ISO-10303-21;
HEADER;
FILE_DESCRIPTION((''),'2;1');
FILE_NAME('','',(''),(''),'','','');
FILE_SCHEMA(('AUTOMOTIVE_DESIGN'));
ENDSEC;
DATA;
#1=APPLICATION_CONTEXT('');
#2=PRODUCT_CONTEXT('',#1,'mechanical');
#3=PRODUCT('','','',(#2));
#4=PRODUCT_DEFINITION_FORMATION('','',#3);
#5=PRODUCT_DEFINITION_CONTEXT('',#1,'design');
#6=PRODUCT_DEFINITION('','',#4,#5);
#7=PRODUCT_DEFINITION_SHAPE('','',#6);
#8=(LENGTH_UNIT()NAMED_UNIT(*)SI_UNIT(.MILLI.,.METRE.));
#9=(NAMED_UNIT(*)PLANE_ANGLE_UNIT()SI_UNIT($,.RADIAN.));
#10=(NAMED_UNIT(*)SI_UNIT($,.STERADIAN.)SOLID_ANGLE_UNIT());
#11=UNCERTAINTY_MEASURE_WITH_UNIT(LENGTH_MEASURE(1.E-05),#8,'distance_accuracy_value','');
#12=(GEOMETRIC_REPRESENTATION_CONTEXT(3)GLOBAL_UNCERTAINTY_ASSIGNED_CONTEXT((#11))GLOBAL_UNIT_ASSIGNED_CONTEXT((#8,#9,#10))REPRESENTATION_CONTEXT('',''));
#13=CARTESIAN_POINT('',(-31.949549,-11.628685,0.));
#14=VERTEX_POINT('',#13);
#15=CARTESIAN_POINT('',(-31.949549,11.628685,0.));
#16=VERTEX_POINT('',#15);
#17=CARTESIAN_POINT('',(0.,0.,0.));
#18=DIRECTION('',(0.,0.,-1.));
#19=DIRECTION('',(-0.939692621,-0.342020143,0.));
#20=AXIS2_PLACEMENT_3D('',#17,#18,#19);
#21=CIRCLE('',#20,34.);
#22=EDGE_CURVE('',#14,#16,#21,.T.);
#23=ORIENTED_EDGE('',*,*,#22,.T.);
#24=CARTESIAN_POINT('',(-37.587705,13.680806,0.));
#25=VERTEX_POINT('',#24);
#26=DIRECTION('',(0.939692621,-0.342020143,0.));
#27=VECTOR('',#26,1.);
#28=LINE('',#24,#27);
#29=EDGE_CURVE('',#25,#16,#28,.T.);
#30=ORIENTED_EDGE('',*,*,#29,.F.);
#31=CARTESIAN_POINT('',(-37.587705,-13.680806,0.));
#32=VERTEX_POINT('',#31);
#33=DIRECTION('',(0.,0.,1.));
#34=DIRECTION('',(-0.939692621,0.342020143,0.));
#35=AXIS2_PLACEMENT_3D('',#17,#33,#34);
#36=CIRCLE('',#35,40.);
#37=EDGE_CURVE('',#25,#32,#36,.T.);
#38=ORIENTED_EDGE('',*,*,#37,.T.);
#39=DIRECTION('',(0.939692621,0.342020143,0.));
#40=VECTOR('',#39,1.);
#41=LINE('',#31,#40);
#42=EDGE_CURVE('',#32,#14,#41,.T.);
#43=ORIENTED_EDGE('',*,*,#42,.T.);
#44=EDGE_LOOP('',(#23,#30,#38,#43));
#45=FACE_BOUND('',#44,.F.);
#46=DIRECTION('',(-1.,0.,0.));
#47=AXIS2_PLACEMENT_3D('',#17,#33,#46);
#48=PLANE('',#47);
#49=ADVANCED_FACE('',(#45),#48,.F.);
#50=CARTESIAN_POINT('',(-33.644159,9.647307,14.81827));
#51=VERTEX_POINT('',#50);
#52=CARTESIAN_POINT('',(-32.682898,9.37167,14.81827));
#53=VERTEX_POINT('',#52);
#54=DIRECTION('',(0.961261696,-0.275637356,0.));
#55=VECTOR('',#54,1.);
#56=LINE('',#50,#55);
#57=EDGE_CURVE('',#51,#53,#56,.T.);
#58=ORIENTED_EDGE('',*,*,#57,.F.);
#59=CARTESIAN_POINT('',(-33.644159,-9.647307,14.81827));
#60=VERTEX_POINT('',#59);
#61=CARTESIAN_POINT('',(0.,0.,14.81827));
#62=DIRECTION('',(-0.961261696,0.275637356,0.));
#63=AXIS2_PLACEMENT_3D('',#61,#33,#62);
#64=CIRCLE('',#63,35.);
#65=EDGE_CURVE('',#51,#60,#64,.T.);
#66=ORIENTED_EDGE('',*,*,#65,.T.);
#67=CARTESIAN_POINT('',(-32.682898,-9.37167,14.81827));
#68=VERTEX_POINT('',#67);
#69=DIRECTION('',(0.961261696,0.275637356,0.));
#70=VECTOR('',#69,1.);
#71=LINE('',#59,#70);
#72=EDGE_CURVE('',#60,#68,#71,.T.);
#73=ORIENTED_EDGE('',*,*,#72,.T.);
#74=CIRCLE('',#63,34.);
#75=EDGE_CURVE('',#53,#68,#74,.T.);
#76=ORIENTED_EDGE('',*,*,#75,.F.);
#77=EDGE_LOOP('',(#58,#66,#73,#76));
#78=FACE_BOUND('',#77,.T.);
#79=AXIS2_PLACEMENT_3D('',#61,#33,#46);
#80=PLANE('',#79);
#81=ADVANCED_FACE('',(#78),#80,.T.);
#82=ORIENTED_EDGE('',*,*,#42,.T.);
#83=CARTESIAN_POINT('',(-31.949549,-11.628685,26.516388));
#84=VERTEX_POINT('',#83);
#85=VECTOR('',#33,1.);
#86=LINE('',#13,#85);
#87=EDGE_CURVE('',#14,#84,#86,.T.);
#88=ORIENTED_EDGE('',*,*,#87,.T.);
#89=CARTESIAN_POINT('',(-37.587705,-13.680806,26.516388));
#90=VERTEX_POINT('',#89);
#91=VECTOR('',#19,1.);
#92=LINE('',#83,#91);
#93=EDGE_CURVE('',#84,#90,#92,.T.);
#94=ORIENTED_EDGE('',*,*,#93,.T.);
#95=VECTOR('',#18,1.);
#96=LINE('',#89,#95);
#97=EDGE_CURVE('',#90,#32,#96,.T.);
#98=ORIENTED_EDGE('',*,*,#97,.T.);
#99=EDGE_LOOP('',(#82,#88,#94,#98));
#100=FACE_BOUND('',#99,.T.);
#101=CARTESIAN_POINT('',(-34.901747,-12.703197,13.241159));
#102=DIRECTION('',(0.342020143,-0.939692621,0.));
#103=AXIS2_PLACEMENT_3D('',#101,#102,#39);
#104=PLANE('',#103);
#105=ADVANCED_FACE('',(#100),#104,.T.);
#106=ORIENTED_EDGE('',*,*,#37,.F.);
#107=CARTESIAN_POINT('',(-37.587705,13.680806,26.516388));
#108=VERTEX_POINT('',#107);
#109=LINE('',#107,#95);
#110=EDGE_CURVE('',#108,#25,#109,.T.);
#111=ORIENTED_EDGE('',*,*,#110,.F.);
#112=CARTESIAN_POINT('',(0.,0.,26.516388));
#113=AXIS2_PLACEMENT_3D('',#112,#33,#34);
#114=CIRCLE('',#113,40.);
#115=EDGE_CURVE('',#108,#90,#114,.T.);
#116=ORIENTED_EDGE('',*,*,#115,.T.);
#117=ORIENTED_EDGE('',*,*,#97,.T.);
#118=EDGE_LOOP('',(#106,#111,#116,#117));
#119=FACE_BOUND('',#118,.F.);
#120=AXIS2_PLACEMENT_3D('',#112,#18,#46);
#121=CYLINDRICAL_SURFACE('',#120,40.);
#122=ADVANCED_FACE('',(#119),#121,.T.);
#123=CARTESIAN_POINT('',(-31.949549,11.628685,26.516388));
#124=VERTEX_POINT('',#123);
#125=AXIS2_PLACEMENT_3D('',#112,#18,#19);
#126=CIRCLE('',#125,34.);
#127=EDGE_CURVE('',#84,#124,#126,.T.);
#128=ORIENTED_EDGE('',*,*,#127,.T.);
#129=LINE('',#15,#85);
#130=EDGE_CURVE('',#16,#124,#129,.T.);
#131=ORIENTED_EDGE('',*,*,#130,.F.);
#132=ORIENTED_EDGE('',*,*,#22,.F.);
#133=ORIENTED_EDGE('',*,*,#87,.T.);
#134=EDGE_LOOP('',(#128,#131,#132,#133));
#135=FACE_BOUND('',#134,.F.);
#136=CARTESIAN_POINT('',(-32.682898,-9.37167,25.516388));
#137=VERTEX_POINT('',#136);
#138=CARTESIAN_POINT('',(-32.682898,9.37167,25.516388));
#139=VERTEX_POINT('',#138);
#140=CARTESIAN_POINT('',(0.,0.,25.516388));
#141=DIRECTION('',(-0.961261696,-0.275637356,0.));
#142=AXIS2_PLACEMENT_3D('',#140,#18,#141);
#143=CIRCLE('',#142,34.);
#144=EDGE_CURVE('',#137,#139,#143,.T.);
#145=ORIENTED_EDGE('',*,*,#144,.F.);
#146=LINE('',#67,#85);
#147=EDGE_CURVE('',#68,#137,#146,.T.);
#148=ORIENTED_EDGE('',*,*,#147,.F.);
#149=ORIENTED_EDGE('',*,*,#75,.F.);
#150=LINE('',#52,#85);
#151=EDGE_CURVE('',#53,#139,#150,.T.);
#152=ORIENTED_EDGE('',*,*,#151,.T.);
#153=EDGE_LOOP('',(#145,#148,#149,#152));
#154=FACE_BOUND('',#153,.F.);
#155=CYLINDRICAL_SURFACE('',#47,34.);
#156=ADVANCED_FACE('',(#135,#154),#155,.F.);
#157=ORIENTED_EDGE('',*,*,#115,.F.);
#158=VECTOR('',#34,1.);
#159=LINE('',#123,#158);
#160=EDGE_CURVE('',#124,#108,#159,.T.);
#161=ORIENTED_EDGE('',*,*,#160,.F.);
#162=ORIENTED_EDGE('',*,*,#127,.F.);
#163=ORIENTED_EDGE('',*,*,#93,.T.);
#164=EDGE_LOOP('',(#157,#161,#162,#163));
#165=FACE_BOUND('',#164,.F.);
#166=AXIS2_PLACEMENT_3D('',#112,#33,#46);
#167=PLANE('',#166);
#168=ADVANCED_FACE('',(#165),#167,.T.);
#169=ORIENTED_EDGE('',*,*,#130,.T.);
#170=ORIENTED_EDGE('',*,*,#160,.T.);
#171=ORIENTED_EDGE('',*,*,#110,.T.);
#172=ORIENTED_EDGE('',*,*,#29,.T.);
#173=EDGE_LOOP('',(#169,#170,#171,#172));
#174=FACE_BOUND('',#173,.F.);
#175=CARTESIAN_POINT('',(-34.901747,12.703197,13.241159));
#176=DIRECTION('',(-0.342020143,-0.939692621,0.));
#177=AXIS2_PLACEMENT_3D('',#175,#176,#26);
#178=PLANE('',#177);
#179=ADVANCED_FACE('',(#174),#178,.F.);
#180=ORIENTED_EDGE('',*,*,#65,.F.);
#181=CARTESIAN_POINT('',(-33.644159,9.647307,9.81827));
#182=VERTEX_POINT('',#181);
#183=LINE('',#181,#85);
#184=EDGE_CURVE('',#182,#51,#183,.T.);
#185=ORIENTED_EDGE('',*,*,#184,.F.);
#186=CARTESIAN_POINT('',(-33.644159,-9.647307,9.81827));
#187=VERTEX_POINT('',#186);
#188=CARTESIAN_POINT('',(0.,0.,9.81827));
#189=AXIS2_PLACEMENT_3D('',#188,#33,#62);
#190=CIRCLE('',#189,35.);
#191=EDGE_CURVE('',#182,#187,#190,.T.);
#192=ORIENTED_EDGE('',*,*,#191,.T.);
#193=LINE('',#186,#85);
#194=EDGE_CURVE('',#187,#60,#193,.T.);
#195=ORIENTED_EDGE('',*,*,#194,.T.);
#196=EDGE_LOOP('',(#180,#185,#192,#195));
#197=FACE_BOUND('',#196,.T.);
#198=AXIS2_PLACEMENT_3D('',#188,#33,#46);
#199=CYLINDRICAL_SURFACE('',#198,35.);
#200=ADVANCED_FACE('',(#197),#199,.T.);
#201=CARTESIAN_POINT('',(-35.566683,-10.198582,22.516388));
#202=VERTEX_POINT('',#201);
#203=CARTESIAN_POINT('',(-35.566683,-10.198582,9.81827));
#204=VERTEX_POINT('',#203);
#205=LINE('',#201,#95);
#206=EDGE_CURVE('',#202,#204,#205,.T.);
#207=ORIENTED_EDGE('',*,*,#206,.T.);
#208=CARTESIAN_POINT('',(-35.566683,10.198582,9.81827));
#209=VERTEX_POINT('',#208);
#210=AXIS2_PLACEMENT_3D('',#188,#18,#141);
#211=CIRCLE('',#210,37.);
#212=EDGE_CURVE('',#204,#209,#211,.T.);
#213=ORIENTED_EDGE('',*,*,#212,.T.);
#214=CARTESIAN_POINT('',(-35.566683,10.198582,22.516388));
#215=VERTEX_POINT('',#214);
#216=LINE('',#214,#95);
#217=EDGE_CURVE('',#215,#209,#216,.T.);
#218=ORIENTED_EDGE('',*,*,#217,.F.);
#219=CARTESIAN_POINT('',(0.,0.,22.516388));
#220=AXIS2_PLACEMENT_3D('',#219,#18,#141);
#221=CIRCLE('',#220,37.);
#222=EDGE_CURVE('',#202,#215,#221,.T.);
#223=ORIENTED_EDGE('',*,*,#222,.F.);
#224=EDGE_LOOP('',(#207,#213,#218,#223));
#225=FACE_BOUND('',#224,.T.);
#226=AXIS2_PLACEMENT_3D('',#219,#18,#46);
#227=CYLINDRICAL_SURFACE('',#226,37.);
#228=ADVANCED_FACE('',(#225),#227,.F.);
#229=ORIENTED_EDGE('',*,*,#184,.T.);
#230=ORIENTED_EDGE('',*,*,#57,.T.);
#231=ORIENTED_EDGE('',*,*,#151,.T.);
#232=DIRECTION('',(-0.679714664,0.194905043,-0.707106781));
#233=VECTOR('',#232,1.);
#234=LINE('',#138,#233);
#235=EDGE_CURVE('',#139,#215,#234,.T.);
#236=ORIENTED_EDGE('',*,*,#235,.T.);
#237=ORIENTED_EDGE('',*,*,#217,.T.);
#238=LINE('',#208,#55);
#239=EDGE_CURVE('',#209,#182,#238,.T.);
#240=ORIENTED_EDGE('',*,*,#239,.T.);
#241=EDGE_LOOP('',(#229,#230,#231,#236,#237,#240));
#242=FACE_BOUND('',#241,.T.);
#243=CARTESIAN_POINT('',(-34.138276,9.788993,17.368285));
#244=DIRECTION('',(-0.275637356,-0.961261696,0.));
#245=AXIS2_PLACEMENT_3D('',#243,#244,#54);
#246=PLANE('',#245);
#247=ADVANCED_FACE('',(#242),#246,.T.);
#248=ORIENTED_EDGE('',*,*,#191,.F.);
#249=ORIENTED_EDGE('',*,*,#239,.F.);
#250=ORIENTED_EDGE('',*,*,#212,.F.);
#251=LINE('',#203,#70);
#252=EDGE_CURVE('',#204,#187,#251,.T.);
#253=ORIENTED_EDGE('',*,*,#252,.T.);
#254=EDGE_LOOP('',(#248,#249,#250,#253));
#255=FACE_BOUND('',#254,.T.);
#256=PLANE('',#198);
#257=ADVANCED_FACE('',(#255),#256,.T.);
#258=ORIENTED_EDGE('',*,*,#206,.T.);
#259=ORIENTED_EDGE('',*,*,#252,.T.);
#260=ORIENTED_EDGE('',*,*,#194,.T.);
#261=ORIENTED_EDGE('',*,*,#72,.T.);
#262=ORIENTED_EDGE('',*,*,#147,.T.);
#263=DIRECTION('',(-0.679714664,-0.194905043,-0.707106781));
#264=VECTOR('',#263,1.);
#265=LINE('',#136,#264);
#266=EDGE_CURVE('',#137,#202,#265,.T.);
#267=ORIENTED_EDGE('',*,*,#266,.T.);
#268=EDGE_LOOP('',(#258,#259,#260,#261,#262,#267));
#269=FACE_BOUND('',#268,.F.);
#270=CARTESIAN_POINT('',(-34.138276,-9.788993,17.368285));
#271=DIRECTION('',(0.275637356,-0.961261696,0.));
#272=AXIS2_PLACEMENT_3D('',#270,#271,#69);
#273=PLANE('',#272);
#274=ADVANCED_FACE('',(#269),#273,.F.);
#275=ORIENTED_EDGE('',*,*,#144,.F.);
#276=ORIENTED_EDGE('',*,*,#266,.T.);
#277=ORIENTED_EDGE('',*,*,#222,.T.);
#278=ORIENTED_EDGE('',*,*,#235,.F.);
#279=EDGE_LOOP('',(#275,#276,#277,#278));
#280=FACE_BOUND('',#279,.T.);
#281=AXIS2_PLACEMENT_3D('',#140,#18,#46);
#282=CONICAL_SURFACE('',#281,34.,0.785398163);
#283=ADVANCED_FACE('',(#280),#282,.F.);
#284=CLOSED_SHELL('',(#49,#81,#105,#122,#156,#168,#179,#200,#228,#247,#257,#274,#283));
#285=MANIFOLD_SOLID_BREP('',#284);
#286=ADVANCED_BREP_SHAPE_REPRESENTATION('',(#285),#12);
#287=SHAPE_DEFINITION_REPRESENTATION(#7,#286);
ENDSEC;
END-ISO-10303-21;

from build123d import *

# Parameters (mm, degrees)
F1_ANGLE = 40
F2_ANGLE = -32


with BuildPart() as f1:
    # F0 (on Front) → F1 (revolve, symmetric)
    with BuildSketch(Plane.XZ) as f1_sk:
        Polygon((-37, 22.516388), (-34, 25.516388), (-34, 26.516388), (-40, 26.516388), (-40, 0), (-34, 0), (-34, 8.81827), (-34, 9.81827), (-34, 14.81827), (-35, 14.81827), (-35, 13.818642), (-35, 9.81827), (-37, 9.81827), (-37, 20.516388), align=None)
        Polygon((-34, 20.516388), (-34, 25.016388), (-34, 25.516388), (-37, 22.516388), (-37, 20.516388), (-37, 9.81827), (-35, 9.81827), (-35, 13.818642), (-35, 14.81827), (-34, 14.81827), align=None)
    revolve(axis=Axis((0, 0, 22.766388), (0, 0, -1)), revolution_arc=F1_ANGLE / 2)
    revolve(f1_sk.sketch, axis=Axis((0, 0, 22.766388), (0, 0, 1)), revolution_arc=F1_ANGLE / 2)

    # F0 (on Front) → F2 (revolve, symmetric, cut)
    with BuildSketch(Plane.XZ) as f2_sk:
        Polygon((-34, 20.516388), (-34, 25.016388), (-34, 25.516388), (-37, 22.516388), (-37, 20.516388), (-37, 9.81827), (-35, 9.81827), (-35, 13.818642), (-35, 14.81827), (-34, 14.81827), align=None)
    revolve(axis=Axis((0, 0, 22.766388), (0, 0, -1)), revolution_arc=F2_ANGLE / 2, mode=Mode.SUBTRACT)
    revolve(f2_sk.sketch, axis=Axis((0, 0, 22.766388), (0, 0, 1)), revolution_arc=F2_ANGLE / 2, mode=Mode.SUBTRACT)


solid = f1.part
